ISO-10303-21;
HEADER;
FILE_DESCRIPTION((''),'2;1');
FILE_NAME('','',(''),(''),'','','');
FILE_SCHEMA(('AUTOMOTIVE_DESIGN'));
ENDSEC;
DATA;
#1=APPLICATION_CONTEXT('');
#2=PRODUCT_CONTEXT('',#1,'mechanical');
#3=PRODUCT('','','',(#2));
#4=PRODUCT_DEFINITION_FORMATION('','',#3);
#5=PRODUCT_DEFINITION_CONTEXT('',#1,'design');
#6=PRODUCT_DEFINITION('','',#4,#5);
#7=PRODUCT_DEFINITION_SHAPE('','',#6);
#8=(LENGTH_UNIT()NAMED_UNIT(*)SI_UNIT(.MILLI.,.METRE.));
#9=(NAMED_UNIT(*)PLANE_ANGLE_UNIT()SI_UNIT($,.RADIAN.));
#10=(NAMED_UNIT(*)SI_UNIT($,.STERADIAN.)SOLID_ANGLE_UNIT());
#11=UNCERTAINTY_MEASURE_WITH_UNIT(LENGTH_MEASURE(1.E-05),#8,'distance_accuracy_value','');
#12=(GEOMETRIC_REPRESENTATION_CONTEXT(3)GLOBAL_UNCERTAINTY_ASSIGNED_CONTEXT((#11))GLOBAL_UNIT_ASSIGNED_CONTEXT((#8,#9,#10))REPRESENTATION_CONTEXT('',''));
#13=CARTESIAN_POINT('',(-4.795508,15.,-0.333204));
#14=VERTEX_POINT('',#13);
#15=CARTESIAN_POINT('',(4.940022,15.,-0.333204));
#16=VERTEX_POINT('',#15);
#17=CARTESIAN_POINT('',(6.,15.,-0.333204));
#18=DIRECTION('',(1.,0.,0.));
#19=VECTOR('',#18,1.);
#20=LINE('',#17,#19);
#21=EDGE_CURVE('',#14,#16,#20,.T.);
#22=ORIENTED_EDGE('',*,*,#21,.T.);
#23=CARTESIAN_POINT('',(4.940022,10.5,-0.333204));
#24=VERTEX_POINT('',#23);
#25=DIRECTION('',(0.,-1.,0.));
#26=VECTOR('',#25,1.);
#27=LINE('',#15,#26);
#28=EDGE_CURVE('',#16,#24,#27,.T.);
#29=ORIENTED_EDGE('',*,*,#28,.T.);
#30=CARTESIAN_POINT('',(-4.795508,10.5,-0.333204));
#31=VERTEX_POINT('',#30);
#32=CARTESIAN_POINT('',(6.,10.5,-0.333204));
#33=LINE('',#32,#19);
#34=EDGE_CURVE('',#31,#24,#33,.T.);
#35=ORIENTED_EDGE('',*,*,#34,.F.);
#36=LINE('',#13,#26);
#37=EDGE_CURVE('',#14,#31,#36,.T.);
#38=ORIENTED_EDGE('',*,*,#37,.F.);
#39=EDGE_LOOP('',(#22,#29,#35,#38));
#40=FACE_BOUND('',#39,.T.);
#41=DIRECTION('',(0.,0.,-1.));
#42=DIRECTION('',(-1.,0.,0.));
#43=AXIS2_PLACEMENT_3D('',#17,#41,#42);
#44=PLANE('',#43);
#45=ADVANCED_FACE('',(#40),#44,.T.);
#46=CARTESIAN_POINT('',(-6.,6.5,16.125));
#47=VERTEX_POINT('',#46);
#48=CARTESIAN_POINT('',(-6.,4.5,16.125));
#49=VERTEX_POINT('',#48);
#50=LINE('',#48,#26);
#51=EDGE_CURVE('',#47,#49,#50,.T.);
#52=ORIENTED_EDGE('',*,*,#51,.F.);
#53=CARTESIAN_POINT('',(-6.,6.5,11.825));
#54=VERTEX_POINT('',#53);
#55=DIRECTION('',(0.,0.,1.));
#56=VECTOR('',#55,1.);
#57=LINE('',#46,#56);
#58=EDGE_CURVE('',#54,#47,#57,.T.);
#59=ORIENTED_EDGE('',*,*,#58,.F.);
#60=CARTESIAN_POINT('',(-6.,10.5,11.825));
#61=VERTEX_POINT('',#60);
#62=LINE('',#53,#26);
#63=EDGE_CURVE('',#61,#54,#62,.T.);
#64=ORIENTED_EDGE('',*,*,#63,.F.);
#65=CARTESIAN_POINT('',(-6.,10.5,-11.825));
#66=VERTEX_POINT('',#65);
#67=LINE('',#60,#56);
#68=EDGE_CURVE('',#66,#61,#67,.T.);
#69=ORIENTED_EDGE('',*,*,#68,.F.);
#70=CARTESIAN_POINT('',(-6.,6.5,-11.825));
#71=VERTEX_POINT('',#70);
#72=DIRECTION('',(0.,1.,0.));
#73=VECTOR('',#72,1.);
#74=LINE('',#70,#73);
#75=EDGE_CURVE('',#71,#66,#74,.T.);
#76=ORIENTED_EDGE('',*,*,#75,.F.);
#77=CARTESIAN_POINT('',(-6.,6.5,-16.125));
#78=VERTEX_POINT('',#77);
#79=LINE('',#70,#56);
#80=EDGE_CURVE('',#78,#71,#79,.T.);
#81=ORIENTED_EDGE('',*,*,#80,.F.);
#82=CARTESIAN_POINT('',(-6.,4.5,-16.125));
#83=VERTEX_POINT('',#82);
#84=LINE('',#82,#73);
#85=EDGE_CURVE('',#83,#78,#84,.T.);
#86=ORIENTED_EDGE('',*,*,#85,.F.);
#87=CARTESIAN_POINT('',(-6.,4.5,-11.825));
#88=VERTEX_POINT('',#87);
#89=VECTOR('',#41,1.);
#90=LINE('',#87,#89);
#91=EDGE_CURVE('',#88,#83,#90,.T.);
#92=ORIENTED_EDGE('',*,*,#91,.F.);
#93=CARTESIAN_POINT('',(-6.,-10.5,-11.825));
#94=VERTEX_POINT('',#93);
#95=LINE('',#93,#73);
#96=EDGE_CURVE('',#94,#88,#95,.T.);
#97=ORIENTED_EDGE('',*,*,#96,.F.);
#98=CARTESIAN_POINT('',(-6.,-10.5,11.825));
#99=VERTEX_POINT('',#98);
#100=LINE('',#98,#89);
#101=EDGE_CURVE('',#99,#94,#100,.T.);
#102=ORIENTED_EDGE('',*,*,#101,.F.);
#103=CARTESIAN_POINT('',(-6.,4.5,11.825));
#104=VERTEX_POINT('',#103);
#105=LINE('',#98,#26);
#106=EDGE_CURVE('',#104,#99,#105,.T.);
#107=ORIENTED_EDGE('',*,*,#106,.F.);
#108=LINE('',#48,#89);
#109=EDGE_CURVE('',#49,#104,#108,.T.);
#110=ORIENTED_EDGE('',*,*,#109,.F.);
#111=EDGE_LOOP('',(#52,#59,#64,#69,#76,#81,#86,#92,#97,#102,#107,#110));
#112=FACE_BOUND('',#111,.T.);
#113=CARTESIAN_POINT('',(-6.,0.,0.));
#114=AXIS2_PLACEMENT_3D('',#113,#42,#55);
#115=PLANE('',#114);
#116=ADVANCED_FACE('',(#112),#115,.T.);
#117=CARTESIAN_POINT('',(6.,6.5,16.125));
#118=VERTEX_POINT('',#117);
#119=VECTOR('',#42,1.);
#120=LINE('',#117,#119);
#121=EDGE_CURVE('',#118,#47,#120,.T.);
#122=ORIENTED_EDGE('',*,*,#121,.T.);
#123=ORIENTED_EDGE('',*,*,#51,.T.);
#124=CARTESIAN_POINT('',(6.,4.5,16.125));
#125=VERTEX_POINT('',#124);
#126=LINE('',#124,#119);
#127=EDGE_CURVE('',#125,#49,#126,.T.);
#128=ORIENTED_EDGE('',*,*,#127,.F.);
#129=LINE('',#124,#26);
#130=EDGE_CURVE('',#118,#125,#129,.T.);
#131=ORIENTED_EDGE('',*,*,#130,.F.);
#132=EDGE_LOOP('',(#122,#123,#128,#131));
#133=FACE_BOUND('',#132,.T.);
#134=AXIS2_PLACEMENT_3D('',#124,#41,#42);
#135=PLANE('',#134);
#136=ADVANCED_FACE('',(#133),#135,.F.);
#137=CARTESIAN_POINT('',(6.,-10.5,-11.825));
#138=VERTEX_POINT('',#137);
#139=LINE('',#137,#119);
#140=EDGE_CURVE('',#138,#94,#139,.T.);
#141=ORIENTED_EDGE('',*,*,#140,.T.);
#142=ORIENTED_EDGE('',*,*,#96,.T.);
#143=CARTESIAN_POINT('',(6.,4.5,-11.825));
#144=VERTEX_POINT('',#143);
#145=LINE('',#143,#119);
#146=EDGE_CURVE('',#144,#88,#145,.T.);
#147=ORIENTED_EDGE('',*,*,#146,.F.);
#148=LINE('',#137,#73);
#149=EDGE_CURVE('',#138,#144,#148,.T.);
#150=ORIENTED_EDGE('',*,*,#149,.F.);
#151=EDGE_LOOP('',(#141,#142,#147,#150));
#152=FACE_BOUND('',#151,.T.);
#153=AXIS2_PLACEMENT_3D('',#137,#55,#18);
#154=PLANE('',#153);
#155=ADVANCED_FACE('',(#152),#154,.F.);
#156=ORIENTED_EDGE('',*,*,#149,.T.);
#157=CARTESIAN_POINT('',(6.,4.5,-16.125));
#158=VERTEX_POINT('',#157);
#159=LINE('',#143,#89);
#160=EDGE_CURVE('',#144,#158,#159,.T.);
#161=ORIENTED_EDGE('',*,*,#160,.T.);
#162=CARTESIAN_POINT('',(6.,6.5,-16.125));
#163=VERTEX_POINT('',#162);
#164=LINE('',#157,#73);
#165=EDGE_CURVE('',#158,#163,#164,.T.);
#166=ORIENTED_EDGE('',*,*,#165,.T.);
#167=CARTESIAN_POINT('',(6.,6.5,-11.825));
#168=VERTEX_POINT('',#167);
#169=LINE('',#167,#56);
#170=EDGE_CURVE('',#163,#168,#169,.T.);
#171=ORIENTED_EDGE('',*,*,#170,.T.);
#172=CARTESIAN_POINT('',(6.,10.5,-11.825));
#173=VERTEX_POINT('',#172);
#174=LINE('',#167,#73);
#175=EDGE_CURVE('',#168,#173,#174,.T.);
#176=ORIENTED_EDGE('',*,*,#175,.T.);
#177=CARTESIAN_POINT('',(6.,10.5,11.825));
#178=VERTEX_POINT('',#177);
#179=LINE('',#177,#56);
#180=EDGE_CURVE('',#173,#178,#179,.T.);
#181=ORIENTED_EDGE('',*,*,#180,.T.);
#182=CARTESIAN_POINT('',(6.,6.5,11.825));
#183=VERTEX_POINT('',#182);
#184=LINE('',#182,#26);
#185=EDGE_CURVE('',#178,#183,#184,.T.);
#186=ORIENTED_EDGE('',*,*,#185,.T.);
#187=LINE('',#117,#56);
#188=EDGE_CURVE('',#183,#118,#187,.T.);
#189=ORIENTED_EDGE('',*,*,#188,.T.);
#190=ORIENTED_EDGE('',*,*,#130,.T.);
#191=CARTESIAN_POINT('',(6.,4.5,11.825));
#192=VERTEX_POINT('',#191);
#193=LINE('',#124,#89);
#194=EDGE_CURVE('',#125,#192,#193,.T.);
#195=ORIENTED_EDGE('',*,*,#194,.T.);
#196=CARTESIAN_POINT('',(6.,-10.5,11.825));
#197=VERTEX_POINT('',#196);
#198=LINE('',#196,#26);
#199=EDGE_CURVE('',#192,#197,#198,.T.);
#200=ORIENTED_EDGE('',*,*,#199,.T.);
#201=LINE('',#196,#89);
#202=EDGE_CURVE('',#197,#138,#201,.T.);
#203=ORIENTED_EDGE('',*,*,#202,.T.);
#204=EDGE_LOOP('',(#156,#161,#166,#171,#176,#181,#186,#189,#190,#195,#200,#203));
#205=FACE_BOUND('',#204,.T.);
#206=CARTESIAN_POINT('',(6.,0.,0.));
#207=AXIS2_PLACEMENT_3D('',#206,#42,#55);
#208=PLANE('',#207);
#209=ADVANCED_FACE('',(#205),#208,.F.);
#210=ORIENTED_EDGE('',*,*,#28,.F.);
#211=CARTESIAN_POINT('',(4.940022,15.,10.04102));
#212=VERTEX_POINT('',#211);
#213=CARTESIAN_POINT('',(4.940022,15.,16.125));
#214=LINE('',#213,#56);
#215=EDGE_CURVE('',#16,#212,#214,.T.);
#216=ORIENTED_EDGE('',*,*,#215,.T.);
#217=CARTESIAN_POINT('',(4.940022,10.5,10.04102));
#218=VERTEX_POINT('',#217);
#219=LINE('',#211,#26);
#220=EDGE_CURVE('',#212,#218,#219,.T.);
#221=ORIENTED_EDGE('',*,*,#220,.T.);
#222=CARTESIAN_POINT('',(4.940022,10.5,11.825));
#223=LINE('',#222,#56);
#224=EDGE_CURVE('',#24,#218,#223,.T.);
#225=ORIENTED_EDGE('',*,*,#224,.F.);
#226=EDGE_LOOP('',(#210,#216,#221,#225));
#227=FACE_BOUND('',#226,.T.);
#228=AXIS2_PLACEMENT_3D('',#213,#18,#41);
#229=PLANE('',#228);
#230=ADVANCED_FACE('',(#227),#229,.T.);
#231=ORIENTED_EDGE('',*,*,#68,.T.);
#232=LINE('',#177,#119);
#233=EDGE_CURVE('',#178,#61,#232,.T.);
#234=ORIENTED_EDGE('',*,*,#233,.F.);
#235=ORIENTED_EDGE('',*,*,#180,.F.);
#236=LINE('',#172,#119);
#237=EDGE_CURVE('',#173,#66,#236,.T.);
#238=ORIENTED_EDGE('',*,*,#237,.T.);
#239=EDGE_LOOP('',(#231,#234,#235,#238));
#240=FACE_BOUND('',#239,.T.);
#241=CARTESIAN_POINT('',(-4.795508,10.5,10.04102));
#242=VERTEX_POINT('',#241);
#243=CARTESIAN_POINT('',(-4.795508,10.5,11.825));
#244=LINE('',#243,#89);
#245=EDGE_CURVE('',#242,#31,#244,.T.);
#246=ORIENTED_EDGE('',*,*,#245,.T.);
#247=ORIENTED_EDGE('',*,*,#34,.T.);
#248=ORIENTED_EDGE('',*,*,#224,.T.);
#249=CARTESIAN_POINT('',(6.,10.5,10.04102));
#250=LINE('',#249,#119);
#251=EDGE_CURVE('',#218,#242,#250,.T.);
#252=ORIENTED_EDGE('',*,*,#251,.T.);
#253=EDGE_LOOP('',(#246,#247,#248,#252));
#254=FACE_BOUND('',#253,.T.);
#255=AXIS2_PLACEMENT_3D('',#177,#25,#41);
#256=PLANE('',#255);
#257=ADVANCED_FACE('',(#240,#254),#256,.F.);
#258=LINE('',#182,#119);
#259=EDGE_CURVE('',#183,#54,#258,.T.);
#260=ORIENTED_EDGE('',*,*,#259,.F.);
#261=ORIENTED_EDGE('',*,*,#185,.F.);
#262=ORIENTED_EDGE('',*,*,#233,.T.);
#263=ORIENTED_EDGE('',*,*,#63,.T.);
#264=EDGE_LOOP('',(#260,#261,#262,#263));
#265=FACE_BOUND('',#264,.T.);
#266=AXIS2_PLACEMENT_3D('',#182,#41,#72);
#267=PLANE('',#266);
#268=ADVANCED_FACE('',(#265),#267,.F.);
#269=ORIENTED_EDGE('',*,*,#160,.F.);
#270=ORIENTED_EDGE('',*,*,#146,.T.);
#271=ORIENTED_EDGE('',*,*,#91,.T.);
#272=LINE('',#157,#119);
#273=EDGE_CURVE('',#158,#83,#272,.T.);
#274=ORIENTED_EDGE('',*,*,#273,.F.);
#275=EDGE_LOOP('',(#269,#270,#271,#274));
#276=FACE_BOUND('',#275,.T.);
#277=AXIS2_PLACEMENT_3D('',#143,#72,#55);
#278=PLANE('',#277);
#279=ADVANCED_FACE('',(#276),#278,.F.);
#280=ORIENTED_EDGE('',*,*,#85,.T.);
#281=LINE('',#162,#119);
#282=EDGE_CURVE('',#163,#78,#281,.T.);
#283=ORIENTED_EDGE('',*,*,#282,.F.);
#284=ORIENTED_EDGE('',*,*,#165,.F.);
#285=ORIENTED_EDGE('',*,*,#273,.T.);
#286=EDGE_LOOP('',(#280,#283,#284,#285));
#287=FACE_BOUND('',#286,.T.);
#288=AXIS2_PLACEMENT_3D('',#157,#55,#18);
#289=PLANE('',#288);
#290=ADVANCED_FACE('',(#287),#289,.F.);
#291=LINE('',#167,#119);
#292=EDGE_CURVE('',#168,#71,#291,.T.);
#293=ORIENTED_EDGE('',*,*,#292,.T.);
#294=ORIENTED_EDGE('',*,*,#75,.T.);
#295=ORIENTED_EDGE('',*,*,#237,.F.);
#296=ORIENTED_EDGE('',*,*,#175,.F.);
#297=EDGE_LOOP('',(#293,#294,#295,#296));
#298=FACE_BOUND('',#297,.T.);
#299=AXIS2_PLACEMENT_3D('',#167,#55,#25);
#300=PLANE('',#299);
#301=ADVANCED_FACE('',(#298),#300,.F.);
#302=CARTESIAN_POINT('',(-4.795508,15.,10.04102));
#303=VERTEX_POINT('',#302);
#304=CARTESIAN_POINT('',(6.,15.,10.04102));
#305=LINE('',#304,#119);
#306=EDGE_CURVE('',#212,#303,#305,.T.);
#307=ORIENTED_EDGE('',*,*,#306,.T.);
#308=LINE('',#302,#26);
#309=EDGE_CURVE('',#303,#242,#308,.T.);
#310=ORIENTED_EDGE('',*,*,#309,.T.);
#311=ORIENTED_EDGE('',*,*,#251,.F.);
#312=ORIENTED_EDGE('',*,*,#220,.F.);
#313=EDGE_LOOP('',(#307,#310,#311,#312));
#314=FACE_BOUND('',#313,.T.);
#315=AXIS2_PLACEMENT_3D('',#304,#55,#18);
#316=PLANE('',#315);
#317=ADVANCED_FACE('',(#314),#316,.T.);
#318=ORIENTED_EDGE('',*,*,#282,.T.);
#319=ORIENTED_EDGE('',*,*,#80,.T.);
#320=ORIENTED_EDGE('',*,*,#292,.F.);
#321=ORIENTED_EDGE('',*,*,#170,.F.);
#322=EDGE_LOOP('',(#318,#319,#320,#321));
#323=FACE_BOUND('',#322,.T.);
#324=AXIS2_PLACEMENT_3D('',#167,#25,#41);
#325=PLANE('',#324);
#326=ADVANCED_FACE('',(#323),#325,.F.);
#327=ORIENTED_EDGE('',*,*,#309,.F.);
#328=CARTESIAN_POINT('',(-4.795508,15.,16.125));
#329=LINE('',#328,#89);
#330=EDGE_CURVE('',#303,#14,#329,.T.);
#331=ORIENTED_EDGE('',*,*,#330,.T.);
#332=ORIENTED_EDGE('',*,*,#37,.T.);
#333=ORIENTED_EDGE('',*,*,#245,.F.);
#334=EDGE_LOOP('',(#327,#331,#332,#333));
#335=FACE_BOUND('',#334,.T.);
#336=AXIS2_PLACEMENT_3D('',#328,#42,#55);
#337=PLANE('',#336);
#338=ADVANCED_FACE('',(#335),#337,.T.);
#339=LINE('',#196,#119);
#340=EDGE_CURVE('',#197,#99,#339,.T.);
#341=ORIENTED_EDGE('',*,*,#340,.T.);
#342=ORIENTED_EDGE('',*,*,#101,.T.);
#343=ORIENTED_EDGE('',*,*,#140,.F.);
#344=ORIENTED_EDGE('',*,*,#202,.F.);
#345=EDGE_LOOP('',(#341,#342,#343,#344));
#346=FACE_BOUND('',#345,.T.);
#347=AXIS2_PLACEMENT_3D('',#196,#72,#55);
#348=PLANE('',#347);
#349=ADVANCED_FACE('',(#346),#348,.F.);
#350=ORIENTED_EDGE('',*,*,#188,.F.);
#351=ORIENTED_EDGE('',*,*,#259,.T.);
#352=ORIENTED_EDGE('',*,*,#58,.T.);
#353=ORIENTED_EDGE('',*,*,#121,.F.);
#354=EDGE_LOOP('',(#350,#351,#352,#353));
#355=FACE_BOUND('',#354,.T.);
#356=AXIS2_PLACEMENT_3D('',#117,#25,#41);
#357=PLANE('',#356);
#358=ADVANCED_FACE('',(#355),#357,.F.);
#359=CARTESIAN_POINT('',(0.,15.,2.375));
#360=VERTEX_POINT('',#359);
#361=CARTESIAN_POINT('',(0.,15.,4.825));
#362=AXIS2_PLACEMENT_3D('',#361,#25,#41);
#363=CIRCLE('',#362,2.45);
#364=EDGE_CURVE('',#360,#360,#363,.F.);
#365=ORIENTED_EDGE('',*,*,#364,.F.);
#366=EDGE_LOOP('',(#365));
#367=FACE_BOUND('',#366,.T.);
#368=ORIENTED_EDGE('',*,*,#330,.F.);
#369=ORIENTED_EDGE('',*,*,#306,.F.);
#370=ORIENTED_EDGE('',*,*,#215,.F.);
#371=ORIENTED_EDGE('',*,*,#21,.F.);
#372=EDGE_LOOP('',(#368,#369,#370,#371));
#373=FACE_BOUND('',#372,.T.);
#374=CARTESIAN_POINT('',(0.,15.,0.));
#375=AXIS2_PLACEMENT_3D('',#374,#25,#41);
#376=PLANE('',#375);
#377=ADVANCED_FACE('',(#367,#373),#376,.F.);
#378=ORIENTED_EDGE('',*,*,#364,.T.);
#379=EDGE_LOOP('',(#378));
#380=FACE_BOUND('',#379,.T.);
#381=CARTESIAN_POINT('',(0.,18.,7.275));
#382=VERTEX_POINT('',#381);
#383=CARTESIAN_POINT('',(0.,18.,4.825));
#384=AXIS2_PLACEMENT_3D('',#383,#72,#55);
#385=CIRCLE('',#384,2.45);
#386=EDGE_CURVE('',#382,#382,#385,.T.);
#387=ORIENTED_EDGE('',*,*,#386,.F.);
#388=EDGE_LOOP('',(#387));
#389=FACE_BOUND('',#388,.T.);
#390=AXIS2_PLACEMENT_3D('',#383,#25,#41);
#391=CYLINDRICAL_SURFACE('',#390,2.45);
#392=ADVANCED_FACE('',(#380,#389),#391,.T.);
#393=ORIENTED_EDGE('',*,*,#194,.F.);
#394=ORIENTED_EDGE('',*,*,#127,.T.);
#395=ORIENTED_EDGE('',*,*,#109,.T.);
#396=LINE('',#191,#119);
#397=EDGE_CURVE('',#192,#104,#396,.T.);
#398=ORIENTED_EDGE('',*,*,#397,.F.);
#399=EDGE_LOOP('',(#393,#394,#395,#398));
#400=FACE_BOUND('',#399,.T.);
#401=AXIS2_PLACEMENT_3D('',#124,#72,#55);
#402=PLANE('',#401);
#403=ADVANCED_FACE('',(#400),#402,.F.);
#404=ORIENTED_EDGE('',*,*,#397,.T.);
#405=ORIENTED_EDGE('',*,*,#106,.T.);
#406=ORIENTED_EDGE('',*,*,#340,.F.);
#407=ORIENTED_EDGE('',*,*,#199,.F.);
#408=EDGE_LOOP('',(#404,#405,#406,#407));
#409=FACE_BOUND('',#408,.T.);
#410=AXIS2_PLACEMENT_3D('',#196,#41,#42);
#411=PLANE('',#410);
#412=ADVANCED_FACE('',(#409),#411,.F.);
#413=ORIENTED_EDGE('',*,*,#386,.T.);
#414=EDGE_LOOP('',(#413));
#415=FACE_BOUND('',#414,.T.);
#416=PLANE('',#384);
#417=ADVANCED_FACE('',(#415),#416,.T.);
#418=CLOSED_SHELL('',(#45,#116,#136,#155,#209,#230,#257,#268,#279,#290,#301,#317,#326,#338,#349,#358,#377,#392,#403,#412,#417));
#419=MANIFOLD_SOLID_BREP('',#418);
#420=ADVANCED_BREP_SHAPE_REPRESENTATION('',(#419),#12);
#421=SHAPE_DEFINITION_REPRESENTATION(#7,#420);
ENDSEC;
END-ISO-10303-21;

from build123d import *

# Parameters (mm, degrees)
BOSS_EXTRUDE1_DEPTH = 6
BOSS_EXTRUDE2_START = -4
SKETCH2_W           = 9.735530135
SKETCH2_H           = 10.374223994
BOSS_EXTRUDE2_DEPTH = 8.5
SKETCH3_R           = 2.45
BOSS_EXTRUDE3_DEPTH = 7.5


with BuildPart() as part:
    # Sketch1 → Boss-Extrude1 (new, symmetric)
    with BuildSketch(Plane(origin=(0, 0, 0), x_dir=(0, 0, -1), z_dir=(1, 0, 0))):
        Polygon((-11.825, 6.5), (-11.825, 10.5), (11.825, 10.5), (11.825, 6.5), (16.125, 6.5), (16.125, 4.5), (11.825, 4.5), (11.825, -10.5), (-11.825, -10.5), (-11.825, 4.5), (-16.125, 4.5), (-16.125, 6.5), align=None)
    extrude(amount=BOSS_EXTRUDE1_DEPTH, both=True)

    # Sketch2 → Boss-Extrude2 (add)
    with BuildSketch(Plane(origin=(0, 10.5, 0), x_dir=(1, 0, 0), z_dir=(0, 1, 0)).offset(BOSS_EXTRUDE2_START)):
        with Locations((0.07225674, -4.853907597)):
            Rectangle(SKETCH2_W, SKETCH2_H)
    extrude(amount=BOSS_EXTRUDE2_DEPTH)

    # Sketch3 → Boss-Extrude3 (add)
    with BuildSketch(Plane(origin=(0, 10.5, 0), x_dir=(1, 0, 0), z_dir=(0, 1, 0))):
        with Locations(Location((0, -4.825, 0), (0, 0, 90))):
            Circle(SKETCH3_R)
    extrude(amount=BOSS_EXTRUDE3_DEPTH)


solid = part.part
